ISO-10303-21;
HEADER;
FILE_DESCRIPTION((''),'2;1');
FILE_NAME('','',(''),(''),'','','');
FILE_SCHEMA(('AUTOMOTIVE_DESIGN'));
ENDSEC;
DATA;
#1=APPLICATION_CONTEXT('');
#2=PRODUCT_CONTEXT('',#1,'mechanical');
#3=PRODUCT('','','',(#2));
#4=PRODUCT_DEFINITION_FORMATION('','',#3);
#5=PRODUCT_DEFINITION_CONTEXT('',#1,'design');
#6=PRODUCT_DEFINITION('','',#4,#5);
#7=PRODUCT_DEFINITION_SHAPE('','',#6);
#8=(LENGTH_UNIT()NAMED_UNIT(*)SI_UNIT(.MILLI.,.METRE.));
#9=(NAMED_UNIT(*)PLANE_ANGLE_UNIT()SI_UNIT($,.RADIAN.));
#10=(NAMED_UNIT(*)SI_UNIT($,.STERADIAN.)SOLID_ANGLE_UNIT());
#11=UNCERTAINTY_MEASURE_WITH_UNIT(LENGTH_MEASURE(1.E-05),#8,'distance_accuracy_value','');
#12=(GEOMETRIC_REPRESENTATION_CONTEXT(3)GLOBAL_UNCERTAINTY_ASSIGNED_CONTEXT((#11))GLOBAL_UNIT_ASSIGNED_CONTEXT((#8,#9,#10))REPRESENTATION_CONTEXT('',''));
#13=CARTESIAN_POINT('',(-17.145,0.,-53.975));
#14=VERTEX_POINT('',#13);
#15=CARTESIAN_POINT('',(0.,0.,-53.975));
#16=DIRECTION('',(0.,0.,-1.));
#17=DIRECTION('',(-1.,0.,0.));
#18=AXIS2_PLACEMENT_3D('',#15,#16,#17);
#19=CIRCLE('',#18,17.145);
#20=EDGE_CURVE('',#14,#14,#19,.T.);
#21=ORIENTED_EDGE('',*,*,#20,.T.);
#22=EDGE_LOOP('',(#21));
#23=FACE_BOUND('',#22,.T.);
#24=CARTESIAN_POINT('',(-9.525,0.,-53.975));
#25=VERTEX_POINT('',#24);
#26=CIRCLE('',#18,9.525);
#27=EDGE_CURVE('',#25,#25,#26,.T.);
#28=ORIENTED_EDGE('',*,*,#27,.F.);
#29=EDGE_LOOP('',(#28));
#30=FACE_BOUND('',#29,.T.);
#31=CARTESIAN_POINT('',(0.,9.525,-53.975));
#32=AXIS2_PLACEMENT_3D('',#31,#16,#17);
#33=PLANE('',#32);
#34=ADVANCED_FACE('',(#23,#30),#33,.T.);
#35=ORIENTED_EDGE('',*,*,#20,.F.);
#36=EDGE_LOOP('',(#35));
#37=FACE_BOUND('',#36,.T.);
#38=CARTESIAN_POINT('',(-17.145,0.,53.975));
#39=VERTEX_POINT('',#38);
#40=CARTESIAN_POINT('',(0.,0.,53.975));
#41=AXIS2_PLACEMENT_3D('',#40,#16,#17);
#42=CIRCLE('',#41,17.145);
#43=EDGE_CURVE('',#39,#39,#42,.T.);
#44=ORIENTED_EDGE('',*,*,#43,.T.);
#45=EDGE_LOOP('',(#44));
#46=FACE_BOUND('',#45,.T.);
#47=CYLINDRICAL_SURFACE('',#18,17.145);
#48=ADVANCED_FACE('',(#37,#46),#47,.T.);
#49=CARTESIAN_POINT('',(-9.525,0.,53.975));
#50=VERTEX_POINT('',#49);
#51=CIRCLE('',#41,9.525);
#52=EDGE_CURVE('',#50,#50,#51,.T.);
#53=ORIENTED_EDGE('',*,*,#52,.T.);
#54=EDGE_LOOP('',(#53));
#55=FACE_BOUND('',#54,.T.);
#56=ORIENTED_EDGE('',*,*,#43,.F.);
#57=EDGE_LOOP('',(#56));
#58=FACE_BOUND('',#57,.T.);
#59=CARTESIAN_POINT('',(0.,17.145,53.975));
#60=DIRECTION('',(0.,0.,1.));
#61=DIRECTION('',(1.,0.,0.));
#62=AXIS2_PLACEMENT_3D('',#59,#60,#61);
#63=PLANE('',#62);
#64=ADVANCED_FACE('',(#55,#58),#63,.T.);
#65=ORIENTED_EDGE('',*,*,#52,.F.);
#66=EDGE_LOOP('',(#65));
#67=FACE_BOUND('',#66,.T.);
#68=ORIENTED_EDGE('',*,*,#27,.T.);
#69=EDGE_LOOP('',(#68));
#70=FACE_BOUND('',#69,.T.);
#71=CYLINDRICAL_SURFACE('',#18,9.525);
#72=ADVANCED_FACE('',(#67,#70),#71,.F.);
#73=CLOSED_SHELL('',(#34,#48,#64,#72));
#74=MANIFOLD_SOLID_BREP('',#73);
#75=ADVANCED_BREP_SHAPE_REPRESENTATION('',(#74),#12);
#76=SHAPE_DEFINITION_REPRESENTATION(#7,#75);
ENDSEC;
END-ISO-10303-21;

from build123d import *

# Parameters (mm, degrees)
SKETCH5_W = 107.95
SKETCH5_H = 7.62


with BuildPart() as part:
    # Sketch5 → Revolve1 (revolve)
    with BuildSketch(Plane(origin=(0, 0, 0), x_dir=(0, 0, -1), z_dir=(1, 0, 0)), mode=Mode.PRIVATE) as revolve1_sk:
        with Locations((0, 13.335)):
            Rectangle(SKETCH5_W, SKETCH5_H)
    revolve(revolve1_sk.sketch.rotate(Axis((0, 0, -53.975), (0, 0, 1)), 90), axis=Axis((0, 0, -53.975), (0, 0, 1)))


solid = part.part
